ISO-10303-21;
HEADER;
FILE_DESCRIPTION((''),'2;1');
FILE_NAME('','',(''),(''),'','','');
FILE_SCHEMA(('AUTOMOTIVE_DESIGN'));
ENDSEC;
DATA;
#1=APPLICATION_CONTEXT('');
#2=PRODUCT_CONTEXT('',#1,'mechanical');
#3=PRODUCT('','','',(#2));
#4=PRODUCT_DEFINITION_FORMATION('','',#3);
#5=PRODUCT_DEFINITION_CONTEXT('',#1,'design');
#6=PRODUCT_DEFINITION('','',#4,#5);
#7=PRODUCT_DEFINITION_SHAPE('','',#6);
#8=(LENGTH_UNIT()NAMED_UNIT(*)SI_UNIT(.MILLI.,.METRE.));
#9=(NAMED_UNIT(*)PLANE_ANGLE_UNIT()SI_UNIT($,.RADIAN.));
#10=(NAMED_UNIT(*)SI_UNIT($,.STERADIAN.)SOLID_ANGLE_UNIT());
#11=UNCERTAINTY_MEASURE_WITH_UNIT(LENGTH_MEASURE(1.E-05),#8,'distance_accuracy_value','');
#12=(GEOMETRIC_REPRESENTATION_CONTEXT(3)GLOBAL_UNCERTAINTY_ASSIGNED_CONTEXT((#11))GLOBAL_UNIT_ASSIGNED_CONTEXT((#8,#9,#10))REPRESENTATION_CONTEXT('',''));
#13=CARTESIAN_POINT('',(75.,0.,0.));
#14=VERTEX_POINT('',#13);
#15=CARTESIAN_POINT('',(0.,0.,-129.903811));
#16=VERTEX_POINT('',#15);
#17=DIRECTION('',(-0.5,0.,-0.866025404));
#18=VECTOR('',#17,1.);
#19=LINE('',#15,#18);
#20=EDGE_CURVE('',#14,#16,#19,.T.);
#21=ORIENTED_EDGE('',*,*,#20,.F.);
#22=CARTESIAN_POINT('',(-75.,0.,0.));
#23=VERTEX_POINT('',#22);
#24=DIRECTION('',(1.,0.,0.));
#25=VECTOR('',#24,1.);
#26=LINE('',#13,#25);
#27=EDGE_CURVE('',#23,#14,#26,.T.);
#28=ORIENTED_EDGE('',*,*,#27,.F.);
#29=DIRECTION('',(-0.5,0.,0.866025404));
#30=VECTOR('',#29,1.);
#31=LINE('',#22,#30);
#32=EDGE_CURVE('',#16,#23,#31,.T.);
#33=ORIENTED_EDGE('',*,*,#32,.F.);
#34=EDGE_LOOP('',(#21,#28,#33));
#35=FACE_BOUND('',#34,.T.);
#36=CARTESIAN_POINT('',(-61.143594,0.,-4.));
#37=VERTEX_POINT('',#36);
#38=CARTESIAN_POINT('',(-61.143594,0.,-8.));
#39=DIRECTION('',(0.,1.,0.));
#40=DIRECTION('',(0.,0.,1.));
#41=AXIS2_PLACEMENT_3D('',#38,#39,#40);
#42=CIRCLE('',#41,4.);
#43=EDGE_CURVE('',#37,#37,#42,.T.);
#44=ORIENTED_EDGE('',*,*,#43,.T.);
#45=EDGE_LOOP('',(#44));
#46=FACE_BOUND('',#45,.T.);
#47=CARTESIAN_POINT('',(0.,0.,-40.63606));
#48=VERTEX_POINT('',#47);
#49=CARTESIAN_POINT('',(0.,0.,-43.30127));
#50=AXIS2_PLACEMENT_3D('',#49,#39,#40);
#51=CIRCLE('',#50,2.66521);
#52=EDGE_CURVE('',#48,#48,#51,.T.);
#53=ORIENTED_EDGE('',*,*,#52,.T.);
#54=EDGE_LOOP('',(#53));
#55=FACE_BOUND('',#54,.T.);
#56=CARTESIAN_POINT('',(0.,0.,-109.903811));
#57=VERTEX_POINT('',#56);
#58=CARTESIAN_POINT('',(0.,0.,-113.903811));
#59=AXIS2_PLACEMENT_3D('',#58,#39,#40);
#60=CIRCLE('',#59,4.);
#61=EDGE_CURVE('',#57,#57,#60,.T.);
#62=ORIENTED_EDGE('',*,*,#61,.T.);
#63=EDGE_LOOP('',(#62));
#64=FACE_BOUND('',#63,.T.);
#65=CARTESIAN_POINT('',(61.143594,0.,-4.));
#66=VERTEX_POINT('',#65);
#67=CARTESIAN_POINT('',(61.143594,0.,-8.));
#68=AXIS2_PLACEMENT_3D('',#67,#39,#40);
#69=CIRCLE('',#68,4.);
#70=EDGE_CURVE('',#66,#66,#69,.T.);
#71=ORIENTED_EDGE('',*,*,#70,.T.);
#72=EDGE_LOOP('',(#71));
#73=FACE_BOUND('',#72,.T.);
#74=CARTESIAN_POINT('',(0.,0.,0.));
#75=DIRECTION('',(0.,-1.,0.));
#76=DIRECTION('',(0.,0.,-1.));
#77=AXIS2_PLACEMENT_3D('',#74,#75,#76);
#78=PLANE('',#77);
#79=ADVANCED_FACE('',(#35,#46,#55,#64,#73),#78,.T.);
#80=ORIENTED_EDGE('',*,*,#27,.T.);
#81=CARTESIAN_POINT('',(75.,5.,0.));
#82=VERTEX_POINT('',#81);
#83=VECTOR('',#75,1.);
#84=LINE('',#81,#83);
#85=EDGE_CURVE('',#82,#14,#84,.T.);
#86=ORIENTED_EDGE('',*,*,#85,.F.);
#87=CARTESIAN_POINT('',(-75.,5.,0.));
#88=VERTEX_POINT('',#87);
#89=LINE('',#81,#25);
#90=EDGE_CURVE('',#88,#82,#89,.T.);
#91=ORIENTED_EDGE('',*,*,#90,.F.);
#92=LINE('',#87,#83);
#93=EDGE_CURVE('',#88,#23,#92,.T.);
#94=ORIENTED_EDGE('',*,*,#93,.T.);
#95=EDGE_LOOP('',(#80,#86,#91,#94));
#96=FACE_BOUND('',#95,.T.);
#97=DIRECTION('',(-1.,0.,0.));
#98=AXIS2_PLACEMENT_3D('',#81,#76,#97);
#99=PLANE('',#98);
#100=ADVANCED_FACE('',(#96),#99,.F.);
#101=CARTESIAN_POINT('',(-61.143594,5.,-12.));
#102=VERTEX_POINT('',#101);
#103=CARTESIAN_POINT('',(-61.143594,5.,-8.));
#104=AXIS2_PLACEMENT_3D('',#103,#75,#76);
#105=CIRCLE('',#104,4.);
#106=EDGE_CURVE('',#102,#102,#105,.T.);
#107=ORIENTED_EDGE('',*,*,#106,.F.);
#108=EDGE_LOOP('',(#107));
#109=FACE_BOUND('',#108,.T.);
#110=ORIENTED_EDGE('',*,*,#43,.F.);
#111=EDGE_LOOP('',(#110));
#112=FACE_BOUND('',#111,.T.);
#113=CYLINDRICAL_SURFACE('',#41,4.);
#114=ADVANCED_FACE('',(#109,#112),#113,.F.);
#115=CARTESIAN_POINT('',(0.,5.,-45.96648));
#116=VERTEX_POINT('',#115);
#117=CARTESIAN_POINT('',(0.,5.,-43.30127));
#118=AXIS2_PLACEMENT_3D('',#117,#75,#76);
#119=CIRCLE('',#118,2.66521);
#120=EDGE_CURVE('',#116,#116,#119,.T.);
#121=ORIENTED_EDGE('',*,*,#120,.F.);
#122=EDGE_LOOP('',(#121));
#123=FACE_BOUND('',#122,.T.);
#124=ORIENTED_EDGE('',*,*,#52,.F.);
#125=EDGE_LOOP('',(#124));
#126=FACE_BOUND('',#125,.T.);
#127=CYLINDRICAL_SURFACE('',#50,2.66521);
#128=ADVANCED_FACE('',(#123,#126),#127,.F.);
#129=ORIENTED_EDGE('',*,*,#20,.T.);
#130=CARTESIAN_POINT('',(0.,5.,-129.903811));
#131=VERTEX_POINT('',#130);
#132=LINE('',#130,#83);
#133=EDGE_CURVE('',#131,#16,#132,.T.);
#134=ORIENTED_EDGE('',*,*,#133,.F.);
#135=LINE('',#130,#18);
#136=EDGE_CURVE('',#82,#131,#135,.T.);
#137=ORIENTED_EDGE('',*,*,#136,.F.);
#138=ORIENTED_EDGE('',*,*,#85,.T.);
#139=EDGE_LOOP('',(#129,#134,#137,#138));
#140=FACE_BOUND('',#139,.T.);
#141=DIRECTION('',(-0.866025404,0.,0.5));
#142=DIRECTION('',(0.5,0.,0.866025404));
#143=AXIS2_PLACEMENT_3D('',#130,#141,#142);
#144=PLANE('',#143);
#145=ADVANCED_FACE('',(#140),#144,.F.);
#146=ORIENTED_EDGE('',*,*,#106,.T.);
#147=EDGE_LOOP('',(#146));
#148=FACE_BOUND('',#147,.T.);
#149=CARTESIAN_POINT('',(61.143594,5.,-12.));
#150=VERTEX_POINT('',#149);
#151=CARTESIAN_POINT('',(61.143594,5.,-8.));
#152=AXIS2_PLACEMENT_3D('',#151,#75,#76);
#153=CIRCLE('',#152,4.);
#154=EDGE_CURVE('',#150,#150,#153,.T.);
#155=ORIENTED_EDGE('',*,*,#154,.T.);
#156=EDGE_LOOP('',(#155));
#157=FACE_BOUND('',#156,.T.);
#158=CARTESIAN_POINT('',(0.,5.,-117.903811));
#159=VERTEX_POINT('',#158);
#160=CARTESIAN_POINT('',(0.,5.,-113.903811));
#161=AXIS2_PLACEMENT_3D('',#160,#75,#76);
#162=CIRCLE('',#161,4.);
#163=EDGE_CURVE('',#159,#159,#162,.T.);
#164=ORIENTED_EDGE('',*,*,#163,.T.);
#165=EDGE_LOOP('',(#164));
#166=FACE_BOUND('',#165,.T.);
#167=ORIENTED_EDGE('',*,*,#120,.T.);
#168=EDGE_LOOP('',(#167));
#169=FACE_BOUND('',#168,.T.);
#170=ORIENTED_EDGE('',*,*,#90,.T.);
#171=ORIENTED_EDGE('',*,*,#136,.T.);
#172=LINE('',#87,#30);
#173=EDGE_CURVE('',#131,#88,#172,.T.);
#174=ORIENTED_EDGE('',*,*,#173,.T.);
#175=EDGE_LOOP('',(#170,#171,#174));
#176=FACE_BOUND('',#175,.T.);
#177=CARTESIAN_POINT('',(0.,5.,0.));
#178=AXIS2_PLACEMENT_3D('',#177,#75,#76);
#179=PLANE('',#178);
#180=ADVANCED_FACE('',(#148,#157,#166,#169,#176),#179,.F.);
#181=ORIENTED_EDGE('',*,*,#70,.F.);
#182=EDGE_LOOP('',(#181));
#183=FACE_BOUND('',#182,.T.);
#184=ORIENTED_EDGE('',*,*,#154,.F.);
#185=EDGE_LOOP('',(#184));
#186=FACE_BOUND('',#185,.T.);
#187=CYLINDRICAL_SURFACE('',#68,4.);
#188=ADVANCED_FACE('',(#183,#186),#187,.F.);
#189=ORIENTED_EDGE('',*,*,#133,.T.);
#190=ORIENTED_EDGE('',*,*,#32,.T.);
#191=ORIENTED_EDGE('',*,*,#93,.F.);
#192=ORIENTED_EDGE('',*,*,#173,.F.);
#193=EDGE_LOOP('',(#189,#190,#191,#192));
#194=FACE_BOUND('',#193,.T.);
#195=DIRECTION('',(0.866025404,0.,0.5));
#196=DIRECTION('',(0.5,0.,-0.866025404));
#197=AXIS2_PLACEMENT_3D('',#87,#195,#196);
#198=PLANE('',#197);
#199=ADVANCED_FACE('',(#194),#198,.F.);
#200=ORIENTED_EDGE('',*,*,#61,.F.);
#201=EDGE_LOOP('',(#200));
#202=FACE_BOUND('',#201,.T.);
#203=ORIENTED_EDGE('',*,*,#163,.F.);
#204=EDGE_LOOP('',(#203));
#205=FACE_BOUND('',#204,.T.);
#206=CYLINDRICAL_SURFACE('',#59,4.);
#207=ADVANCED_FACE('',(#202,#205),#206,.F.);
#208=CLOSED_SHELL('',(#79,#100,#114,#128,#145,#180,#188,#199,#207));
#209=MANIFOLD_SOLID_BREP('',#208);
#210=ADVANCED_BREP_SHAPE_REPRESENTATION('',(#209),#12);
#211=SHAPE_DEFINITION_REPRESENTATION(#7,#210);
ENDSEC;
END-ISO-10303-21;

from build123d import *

# Parameters (mm, degrees)
BOSS_EXTRUDE1_DEPTH     = 5
CUT_EXTRUDE1_DEPTH      = 151.083310198
CUT_EXTRUDE1_DEPTH_BACK = 151.083310198
SKETCH2_R               = 4
SKETCH2_R_2             = 2.665209895


with BuildPart() as part:
    # Sketch1 → Boss-Extrude1 (new body)
    with BuildSketch(Plane(origin=(0, 0, 0), x_dir=(1, 0, 0), z_dir=(0, 1, 0))):
        Polygon((0, 129.903810568), (75, 0), (-75, 0), align=None)
    extrude(amount=BOSS_EXTRUDE1_DEPTH)

    # Sketch2 → Cut-Extrude1 (cut, two sides: drawn at the far end of the back side and taken through both)
    with BuildSketch(Plane(origin=(0, 5, 0), x_dir=(1, 0, 0), z_dir=(0, 1, 0)).offset(-CUT_EXTRUDE1_DEPTH_BACK)):
        with Locations(Location((-61.143593539, 8, 0), (0, 0, 270))):
            Circle(SKETCH2_R)
        with Locations(Location((61.143593539, 8, 0), (0, 0, 270))):
            Circle(SKETCH2_R)
        with Locations(Location((0, 113.903810568, 0), (0, 0, 270))):
            Circle(SKETCH2_R)
        with Locations(Location((0, 43.301270189, 0), (0, 0, 270))):
            Circle(SKETCH2_R_2)
    extrude(amount=CUT_EXTRUDE1_DEPTH + CUT_EXTRUDE1_DEPTH_BACK, mode=Mode.SUBTRACT)


solid = part.part
